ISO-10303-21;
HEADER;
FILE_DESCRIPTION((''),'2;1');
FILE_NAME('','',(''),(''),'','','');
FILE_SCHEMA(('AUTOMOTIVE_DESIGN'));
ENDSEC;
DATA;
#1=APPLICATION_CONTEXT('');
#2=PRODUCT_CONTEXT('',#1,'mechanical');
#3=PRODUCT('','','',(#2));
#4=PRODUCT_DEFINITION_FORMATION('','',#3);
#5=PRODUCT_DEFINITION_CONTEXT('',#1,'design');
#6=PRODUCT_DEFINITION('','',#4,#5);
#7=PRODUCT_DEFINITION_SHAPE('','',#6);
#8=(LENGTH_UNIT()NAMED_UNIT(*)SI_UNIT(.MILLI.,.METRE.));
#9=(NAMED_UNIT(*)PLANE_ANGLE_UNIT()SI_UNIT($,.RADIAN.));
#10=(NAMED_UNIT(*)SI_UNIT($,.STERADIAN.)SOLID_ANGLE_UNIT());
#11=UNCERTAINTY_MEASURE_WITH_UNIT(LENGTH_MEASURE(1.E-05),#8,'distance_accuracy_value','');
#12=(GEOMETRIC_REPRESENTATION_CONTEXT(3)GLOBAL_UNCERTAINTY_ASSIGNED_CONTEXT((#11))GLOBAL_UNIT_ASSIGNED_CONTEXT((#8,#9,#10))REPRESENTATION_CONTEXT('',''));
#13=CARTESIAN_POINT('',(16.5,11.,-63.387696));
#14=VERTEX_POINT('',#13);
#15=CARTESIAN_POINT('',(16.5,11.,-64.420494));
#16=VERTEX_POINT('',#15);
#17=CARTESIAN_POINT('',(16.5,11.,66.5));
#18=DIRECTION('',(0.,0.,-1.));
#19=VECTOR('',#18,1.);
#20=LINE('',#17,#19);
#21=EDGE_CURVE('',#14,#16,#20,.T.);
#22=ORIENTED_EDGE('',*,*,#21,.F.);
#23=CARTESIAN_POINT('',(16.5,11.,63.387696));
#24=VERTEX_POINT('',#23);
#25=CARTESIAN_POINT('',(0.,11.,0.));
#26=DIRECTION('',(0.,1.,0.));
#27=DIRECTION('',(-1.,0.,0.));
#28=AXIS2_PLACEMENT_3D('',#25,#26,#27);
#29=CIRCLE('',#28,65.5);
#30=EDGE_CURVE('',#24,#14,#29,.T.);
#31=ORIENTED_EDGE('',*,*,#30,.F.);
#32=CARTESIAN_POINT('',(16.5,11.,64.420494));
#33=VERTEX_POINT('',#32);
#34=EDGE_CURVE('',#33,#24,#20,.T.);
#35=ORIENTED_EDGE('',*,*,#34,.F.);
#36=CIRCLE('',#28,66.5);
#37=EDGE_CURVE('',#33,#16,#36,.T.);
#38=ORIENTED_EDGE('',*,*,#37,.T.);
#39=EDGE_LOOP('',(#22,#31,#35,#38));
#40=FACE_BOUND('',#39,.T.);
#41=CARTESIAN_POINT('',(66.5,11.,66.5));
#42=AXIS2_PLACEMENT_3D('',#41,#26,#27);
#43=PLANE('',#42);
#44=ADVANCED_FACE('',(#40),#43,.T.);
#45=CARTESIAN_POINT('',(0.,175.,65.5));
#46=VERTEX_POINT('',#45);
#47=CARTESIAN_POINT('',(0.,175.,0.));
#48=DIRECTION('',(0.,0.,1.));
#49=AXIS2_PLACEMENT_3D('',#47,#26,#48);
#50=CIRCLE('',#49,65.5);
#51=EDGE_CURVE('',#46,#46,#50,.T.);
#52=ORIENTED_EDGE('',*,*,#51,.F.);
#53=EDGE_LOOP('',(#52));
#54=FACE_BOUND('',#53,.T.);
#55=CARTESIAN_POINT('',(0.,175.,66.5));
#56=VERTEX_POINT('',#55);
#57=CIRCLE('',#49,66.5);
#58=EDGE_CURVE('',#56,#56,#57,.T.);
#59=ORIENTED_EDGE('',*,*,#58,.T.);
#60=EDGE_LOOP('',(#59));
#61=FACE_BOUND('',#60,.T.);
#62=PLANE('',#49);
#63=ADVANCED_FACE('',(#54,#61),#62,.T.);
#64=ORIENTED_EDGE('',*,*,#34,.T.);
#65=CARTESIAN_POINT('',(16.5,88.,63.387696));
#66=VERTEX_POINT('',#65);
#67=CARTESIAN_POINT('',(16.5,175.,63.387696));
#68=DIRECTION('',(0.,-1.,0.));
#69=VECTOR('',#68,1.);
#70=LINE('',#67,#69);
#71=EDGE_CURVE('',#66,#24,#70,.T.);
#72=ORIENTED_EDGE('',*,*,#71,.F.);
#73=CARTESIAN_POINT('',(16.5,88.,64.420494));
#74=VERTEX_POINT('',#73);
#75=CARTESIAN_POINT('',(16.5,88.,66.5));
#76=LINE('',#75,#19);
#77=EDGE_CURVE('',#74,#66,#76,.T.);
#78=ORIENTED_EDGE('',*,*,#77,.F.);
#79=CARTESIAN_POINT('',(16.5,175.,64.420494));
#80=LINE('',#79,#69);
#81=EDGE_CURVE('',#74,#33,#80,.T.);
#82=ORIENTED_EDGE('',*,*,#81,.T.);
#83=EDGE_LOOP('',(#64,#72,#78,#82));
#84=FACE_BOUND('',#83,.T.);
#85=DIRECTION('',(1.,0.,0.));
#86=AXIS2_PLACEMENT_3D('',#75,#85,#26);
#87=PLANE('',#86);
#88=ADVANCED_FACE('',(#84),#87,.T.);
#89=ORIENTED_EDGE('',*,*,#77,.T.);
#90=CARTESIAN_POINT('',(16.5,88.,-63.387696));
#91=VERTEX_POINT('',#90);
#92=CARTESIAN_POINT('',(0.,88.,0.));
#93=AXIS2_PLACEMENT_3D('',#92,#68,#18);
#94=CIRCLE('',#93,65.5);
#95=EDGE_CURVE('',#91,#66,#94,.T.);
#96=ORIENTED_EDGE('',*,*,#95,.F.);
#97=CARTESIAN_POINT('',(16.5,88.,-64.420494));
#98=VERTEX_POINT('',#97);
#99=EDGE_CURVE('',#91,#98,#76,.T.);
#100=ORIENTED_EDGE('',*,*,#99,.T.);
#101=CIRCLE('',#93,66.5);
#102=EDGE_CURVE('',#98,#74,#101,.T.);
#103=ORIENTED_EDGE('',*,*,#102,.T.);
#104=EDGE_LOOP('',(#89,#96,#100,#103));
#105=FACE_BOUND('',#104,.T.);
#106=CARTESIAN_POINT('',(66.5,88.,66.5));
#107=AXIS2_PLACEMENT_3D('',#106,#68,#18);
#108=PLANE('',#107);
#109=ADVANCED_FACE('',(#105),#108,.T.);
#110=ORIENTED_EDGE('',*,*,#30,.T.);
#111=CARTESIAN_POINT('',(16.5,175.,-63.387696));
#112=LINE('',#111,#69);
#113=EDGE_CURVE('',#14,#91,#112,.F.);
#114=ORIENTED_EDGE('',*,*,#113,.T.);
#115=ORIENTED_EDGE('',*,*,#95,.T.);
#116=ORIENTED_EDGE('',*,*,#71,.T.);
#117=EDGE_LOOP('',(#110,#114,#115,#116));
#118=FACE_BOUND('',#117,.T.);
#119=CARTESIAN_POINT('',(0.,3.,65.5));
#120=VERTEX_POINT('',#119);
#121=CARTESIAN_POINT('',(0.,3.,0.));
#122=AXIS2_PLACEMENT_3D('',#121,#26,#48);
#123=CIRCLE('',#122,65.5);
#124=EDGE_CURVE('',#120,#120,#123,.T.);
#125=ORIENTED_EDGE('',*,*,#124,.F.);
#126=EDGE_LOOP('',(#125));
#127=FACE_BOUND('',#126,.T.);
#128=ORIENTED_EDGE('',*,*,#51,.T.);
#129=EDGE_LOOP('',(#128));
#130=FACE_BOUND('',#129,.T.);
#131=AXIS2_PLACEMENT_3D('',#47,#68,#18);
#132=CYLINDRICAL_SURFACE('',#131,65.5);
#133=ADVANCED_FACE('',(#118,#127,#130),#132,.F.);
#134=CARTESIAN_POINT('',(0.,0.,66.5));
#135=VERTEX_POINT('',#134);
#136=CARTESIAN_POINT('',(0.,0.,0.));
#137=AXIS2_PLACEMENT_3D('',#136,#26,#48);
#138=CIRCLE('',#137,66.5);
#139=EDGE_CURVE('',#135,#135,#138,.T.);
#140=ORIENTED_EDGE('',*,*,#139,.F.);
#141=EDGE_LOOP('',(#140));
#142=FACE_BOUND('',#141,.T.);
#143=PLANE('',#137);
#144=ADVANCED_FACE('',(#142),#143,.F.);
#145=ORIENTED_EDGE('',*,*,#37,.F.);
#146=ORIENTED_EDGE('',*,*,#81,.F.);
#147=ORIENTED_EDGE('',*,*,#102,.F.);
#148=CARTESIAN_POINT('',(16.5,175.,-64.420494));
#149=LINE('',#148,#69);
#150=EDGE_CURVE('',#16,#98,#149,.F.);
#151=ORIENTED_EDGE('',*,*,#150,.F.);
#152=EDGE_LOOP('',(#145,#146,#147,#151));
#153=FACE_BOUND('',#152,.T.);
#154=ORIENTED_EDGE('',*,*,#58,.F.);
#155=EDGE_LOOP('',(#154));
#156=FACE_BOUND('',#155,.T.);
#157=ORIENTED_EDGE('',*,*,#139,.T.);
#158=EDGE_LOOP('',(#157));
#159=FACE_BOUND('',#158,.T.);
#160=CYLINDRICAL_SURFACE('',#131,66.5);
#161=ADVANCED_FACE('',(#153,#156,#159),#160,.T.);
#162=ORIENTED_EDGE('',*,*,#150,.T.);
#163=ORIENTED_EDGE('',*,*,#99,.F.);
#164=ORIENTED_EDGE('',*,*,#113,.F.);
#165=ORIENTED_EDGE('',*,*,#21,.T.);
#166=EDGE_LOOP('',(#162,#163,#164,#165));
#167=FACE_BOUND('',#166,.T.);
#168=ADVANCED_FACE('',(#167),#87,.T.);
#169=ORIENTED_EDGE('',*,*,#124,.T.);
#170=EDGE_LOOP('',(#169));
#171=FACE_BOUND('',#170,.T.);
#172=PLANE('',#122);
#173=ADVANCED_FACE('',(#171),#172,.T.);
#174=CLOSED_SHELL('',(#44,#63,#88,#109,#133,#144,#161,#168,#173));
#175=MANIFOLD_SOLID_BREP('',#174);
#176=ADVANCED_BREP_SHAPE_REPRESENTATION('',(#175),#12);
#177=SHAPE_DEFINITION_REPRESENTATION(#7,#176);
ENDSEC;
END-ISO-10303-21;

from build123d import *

# Parameters (mm, degrees)
SKETCH_2_R               = 66.5
SKETCH_2_R_2             = 65.5
EXTRUDE_1_DEPTH          = 175
SKETCH_3_R               = 65.5
EXTRUDE_2_DEPTH          = 3
CUT_EXTRUDE_1_DEPTH      = 199.669323248
CUT_EXTRUDE_1_DEPTH_BACK = 199.669323248
SKETCH_4_W               = 50
SKETCH_4_H               = 77


with BuildPart() as part:
    # 스케치2 → 보스-돌출1 (new body)
    with BuildSketch(Plane(origin=(0, 0, 0), x_dir=(1, 0, 0), z_dir=(0, 1, 0))):
        with Locations(Location((0, 0, 0), (0, 0, 270))):
            Circle(SKETCH_2_R)
        with Locations(Location((0, 0, 0), (0, 0, 270))):
            Circle(SKETCH_2_R_2, mode=Mode.SUBTRACT)
    extrude(amount=EXTRUDE_1_DEPTH)

    # 스케치3 → 보스-돌출2 (add)
    with BuildSketch(Plane(origin=(0, 0, 0), x_dir=(1, 0, 0), z_dir=(0, 1, 0))):
        with Locations(Location((0, 0, 0), (0, 0, 270))):
            Circle(SKETCH_3_R)
    extrude(amount=EXTRUDE_2_DEPTH)

    # 스케치4 → 컷-돌출1 (cut, two sides: drawn at the far end of the back side and taken through both)
    with BuildSketch(Plane.XY.offset(-CUT_EXTRUDE_1_DEPTH_BACK)):
        with Locations((41.5, 49.5)):
            Rectangle(SKETCH_4_W, SKETCH_4_H)
    extrude(amount=CUT_EXTRUDE_1_DEPTH + CUT_EXTRUDE_1_DEPTH_BACK, mode=Mode.SUBTRACT)


solid = part.part
